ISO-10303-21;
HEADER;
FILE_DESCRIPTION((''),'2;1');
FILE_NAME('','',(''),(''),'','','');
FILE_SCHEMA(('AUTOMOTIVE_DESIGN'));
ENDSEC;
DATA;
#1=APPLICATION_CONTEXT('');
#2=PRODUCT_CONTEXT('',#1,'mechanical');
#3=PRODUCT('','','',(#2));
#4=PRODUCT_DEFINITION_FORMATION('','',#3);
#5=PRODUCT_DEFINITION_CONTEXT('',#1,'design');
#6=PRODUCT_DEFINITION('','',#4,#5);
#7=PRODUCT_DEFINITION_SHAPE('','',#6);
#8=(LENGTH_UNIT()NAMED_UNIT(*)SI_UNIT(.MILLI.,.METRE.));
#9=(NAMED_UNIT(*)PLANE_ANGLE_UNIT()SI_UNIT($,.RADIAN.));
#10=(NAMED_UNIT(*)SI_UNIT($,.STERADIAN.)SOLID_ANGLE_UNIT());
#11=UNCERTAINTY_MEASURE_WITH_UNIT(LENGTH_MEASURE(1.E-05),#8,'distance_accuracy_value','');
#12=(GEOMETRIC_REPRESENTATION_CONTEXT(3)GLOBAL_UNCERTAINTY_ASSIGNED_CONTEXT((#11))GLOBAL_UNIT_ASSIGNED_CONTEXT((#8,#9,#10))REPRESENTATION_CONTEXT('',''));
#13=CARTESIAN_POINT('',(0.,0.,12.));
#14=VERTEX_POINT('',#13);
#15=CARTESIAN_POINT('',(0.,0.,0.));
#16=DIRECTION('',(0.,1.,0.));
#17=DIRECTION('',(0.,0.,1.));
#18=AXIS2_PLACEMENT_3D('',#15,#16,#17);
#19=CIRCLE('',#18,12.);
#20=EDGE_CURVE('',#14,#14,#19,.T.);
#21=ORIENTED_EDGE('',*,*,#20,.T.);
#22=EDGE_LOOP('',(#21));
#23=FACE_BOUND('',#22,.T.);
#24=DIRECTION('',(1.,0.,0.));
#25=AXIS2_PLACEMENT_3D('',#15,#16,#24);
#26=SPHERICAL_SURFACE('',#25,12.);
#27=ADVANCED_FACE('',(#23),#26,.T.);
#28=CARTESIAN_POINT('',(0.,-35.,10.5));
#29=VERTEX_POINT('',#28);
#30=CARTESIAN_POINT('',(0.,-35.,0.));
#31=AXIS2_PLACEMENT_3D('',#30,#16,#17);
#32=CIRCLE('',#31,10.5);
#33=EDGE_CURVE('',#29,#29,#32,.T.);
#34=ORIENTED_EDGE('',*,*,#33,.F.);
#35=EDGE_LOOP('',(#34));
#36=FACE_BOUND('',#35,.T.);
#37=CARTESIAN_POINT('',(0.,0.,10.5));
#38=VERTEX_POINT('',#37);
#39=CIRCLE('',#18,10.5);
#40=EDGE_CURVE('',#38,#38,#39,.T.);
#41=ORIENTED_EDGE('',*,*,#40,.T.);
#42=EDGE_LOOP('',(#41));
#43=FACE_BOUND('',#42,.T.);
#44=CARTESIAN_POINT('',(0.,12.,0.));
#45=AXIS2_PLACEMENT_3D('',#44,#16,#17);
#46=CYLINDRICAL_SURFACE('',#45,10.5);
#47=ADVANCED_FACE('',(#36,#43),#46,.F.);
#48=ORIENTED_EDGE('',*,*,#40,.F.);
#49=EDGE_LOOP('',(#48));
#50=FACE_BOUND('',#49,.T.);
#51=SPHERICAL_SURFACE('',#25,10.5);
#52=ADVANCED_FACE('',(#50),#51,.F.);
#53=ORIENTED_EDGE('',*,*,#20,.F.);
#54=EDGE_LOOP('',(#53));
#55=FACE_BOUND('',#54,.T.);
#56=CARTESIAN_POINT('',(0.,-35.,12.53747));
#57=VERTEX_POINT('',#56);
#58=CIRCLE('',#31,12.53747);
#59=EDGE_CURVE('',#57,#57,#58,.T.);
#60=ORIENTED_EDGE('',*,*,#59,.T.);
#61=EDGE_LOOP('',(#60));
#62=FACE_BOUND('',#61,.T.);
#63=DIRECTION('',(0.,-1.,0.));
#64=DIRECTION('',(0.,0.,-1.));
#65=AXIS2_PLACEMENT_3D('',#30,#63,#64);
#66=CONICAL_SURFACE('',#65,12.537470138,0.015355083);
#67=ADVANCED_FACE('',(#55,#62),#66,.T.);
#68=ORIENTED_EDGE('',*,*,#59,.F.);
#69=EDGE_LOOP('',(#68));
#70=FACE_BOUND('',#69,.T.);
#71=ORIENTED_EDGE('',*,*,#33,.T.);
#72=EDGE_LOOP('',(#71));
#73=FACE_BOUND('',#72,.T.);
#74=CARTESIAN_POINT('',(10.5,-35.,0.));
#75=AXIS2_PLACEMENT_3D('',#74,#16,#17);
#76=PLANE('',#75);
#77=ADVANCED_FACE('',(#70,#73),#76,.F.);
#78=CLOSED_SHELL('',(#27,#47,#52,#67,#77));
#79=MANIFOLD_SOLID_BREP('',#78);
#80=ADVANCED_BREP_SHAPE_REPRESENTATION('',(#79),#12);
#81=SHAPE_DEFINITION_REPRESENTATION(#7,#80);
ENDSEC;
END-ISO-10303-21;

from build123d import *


with BuildPart() as part:
    # Sketch2 → Revolve1 (revolve)
    with BuildSketch(Plane.XY):
        with BuildLine():
            Line((12, 0), (12.537470138, -35))
            Line((12.537470138, -35), (10.5, -35))
            Line((10.5, -35), (10.5, 0))
            ThreePointArc((10.5, 0), (7.424621202, 7.424621202), (0, 10.5))
            Line((0, 10.5), (0, 12))
            ThreePointArc((0, 12), (8.485281374, 8.485281374), (12, 0))
        make_face()
    revolve(axis=Axis((0, 12, 0), (0, -1, 0)))


solid = part.part
